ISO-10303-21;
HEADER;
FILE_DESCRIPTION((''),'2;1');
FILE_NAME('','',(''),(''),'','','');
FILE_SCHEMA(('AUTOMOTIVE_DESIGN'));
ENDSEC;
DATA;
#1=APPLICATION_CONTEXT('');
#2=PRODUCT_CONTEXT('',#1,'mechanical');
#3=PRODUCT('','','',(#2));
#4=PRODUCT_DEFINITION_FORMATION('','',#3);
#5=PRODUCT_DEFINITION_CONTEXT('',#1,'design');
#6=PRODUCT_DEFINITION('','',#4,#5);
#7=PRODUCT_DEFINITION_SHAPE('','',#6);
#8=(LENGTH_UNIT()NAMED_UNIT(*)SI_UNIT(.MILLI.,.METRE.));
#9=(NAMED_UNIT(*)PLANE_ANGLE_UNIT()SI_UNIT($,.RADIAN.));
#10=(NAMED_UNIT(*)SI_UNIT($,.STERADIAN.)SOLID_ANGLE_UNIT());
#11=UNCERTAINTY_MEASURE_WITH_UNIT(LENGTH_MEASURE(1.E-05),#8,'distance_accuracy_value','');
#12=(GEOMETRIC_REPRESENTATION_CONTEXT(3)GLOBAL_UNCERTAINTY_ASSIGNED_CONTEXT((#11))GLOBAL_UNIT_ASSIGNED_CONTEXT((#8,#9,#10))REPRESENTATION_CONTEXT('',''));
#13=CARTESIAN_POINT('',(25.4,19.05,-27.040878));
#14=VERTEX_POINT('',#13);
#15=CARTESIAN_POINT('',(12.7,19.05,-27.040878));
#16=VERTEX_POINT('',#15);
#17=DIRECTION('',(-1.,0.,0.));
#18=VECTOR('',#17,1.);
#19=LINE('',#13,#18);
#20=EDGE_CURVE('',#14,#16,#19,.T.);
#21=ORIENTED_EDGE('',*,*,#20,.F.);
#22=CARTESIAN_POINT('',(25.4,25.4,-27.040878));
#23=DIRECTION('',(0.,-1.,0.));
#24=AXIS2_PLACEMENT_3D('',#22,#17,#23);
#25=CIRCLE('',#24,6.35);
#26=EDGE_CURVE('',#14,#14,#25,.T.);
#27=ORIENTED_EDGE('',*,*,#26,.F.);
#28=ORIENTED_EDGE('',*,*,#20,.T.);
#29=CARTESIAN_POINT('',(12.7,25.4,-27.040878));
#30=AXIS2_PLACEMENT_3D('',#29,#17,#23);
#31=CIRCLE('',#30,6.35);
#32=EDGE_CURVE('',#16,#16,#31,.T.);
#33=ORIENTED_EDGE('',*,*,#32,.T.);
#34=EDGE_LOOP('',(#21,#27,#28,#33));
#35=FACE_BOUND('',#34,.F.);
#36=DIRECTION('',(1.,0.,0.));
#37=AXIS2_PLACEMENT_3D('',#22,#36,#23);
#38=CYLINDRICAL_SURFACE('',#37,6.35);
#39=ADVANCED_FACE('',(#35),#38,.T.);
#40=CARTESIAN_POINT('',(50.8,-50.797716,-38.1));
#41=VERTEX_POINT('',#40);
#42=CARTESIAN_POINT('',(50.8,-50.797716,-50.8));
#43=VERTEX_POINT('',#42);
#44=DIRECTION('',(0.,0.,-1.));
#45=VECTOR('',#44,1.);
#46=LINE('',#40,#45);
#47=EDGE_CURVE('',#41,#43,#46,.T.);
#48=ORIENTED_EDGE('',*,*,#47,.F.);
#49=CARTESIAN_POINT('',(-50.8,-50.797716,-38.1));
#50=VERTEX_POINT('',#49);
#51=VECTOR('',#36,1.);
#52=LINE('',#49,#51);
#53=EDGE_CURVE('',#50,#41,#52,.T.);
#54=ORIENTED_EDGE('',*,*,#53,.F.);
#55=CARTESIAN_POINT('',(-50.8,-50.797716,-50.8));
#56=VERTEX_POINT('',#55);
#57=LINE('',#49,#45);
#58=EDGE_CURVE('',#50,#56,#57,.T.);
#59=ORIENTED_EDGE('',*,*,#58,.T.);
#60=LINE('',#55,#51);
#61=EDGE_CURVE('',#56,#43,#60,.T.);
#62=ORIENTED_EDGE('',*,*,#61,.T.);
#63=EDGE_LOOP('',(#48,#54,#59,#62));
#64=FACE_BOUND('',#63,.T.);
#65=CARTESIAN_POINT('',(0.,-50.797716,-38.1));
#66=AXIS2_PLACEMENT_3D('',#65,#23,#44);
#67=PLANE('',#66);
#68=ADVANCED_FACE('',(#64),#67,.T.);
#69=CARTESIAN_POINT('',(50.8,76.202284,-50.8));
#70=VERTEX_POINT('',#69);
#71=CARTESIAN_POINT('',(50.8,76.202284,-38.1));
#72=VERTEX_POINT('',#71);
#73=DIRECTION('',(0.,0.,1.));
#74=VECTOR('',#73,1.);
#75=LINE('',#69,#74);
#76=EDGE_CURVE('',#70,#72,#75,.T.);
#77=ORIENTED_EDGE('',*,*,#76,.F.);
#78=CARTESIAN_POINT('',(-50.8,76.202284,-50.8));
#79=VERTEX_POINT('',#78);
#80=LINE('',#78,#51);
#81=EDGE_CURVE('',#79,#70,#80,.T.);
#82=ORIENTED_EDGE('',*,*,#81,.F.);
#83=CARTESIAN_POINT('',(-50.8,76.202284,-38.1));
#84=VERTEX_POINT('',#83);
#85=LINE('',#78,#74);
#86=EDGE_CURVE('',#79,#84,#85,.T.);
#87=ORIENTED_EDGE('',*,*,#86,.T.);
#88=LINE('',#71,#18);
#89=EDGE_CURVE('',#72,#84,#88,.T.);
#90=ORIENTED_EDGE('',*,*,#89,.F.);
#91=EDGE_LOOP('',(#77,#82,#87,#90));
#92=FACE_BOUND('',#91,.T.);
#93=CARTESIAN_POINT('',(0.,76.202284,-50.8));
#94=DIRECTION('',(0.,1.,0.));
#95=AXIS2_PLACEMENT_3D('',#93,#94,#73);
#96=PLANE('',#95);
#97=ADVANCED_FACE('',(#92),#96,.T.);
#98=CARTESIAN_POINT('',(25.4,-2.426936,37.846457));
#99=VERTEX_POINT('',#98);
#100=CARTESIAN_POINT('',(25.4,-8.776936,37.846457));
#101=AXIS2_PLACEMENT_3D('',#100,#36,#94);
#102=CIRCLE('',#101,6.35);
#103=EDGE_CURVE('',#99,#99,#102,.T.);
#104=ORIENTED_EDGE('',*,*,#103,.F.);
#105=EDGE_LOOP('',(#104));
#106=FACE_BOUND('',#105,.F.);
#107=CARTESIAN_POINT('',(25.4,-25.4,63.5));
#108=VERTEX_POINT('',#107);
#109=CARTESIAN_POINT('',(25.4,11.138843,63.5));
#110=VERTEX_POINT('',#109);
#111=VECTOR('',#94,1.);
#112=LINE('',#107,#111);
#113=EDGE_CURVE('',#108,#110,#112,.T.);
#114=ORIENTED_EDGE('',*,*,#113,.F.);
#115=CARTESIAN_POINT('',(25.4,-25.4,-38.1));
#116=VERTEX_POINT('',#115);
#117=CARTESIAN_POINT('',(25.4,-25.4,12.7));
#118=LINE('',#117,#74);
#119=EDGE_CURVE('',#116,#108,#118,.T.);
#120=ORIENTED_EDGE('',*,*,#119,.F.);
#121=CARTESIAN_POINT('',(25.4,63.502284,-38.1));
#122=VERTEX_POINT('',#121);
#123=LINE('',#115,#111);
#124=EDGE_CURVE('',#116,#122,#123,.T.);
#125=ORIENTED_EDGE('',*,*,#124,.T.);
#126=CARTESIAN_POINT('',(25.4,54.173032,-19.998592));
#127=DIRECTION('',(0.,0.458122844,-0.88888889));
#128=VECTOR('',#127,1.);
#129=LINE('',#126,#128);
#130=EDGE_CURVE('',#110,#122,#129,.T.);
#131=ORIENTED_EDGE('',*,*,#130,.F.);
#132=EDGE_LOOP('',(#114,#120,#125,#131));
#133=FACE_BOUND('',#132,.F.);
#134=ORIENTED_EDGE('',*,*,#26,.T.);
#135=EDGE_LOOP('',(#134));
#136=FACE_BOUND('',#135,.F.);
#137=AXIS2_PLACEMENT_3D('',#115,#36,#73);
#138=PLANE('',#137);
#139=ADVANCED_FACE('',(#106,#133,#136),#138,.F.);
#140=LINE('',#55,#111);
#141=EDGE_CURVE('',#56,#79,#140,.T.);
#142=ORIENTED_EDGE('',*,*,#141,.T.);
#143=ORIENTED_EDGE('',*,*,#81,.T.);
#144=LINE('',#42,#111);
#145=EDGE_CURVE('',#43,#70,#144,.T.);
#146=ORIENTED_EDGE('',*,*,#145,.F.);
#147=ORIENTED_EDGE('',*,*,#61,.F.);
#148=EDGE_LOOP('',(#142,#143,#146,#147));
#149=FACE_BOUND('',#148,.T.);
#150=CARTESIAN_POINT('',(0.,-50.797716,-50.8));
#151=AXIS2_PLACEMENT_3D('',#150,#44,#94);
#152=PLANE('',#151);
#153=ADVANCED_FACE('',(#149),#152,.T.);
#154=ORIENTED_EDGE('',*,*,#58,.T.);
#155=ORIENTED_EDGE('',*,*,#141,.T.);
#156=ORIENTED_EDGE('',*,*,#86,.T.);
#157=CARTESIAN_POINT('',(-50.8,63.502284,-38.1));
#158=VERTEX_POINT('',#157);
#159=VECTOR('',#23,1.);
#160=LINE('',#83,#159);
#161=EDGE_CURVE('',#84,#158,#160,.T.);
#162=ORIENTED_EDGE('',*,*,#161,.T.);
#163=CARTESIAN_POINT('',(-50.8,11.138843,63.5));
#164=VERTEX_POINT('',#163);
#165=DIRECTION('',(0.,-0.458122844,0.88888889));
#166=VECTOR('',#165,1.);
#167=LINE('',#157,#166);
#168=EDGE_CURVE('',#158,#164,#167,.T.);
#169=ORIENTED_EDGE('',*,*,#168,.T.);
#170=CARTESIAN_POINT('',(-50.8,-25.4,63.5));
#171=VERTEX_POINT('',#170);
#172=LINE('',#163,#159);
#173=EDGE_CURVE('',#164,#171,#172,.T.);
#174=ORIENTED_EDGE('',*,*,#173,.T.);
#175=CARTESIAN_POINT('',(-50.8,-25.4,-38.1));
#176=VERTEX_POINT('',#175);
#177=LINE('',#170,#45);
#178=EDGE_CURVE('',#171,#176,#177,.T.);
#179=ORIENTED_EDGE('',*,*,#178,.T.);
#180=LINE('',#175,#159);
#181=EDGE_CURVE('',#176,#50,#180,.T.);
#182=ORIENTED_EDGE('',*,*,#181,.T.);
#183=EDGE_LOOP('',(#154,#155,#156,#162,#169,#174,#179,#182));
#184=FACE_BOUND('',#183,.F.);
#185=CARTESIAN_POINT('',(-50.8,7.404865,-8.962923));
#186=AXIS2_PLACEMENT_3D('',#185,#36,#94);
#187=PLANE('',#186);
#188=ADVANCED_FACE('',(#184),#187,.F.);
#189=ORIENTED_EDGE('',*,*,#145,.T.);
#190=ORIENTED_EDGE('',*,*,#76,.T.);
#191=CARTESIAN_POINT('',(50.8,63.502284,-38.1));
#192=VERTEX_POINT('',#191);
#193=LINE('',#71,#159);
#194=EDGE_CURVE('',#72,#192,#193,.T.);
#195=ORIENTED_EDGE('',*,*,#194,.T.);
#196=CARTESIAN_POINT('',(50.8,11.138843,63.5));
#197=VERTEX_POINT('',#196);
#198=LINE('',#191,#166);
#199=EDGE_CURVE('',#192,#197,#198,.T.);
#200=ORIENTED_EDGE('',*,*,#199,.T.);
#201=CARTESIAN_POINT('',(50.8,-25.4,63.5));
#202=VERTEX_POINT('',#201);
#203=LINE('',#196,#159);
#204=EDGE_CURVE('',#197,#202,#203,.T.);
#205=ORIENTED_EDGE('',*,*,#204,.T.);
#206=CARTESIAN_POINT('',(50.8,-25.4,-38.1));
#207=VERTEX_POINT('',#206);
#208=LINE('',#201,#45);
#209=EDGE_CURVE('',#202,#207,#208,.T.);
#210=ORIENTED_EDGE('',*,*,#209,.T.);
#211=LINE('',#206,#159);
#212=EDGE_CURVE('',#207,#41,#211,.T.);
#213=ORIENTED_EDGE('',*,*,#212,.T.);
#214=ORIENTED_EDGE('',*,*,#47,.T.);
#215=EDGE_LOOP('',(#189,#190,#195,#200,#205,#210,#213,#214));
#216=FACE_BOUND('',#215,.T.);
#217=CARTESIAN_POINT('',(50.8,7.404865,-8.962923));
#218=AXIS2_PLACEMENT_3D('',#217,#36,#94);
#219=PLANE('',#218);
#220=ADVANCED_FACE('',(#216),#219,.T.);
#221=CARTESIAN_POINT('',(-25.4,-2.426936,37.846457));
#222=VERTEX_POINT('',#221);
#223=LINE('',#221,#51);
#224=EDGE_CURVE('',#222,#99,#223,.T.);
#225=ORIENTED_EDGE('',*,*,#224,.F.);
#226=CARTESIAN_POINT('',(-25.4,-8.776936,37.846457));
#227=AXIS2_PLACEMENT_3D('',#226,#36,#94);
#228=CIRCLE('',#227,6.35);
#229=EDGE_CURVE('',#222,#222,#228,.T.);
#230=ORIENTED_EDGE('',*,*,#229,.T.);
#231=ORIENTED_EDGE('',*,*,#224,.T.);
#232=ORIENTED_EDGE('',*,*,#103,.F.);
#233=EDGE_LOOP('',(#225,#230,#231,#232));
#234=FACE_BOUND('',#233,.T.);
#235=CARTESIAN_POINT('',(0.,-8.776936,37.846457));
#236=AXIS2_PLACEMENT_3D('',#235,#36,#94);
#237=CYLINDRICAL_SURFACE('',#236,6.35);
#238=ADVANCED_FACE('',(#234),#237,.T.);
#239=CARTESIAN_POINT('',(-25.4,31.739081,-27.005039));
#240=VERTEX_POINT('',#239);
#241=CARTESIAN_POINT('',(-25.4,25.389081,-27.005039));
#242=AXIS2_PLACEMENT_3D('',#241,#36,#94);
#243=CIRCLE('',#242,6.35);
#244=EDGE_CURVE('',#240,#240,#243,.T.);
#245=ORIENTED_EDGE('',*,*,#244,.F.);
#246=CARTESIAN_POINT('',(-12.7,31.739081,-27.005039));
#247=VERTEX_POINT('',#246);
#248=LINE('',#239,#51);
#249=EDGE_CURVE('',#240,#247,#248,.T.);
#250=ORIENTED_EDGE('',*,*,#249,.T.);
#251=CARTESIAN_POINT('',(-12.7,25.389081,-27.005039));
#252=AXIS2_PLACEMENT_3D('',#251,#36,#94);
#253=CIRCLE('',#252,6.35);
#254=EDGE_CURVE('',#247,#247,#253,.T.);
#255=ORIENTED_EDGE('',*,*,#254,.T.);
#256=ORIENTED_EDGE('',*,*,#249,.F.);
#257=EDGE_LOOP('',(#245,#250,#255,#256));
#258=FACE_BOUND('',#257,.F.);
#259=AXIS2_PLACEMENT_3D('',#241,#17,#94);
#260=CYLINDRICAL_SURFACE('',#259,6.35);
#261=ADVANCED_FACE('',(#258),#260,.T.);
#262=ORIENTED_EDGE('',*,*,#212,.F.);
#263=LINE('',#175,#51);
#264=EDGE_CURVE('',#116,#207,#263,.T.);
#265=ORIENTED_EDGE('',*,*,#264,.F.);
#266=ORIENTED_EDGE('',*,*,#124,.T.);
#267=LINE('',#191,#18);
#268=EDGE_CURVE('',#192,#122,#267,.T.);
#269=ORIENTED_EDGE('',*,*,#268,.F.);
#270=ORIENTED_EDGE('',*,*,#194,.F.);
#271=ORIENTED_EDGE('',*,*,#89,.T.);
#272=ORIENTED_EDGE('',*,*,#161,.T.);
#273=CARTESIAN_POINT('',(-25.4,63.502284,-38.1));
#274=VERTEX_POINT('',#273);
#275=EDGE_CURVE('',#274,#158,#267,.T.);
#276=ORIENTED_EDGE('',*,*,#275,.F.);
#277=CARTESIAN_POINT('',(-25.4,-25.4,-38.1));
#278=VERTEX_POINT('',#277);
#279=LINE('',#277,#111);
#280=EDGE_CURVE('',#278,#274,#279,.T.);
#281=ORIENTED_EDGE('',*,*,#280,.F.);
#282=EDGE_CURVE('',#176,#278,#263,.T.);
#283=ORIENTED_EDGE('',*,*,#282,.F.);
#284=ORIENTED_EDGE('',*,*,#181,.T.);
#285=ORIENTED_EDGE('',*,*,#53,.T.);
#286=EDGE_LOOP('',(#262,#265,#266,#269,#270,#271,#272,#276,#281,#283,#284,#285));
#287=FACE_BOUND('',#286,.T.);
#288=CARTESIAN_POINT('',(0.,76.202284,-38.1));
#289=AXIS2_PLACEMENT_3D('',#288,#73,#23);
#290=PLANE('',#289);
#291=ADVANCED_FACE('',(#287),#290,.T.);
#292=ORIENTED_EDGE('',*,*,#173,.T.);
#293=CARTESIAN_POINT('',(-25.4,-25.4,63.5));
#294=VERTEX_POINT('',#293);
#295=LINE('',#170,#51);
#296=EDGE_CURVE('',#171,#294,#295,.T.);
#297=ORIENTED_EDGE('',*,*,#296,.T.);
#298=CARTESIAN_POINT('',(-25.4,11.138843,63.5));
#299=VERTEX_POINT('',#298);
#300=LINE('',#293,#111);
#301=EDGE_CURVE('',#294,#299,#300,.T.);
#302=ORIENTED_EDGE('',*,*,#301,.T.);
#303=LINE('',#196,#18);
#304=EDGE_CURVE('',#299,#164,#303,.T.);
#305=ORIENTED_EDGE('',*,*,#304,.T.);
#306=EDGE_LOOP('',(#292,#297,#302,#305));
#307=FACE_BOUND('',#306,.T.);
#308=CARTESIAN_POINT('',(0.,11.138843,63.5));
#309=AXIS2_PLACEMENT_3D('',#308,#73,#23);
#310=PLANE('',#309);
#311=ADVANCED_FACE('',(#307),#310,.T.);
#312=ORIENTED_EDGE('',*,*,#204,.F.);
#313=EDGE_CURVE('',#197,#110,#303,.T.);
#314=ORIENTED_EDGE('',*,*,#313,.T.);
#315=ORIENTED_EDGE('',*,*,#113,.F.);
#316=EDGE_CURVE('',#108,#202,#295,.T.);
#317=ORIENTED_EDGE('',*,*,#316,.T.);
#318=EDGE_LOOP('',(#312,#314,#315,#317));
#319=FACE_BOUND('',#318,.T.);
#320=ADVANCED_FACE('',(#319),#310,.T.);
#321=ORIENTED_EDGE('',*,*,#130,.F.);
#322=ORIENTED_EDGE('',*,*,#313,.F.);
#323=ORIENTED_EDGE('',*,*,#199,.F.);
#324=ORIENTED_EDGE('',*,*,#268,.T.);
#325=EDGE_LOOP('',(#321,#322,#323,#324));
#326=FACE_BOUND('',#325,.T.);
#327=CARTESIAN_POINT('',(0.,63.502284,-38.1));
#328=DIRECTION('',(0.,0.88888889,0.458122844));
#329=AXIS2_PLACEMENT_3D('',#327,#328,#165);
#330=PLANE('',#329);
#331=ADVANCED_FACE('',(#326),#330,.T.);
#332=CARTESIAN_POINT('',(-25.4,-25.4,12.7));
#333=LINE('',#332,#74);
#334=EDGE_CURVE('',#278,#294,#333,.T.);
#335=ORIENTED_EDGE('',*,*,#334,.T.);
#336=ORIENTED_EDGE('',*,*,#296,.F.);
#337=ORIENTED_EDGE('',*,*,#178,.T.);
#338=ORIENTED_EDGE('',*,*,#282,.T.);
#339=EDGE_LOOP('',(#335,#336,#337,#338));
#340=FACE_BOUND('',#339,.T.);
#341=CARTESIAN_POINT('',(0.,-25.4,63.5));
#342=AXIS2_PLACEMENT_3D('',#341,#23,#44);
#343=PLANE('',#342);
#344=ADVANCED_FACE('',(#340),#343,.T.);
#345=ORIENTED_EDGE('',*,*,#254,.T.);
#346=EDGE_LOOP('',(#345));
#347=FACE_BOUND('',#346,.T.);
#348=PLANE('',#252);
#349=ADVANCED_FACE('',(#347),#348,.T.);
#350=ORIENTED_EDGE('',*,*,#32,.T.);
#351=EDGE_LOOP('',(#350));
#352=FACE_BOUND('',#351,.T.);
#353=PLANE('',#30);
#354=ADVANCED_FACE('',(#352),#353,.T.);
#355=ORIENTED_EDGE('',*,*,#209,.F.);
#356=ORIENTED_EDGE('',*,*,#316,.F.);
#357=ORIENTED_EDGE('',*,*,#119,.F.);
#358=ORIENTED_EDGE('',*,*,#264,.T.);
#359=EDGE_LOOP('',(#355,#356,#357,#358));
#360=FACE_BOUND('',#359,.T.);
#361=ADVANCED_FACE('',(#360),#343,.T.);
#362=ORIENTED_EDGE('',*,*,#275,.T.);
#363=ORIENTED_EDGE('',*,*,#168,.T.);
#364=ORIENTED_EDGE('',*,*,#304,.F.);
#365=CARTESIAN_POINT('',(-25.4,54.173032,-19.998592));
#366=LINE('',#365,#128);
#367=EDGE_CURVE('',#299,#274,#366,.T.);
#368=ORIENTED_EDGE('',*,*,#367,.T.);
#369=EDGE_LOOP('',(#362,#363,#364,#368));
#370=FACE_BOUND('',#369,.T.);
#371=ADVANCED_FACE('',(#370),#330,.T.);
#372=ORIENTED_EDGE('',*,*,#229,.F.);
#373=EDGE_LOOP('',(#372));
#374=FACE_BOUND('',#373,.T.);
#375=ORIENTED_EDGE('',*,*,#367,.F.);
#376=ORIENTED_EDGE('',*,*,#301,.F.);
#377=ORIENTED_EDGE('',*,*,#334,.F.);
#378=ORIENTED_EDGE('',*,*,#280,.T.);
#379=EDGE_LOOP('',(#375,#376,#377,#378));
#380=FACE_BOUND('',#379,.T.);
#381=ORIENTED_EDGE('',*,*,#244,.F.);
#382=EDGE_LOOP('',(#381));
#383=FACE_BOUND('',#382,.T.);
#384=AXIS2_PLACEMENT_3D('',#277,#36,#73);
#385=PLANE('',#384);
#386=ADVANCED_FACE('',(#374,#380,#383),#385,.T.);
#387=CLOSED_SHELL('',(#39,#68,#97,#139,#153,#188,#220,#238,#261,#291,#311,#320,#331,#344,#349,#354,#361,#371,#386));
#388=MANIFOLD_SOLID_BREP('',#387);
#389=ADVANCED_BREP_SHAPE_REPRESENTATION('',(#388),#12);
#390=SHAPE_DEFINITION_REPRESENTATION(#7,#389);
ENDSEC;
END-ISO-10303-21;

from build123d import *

# Parameters (mm, degrees)
F1_DEPTH = 50.8
F2_W     = 50.8
F2_H     = 101.6
F3_DEPTH = 101.603284
F4_R     = 6.35
F5_DEPTH = 25.4
F6_R     = 6.35
F7_DEPTH = 12.7
F8_R     = 6.35
F9_DEPTH = 12.7


with BuildPart() as f1:
    # F0 (on Right) → F1 (new body, symmetric)
    with BuildSketch(Plane.YZ):
        Polygon((11.138843, 63.5), (-25.4, 63.5), (-25.4, -38.1), (-50.797716, -38.1), (-50.797716, -50.8), (76.202284, -50.8), (76.202284, -38.1), (63.502284, -38.1), align=None)
    extrude(amount=F1_DEPTH, both=True)

    # F2 (on face) → F3 (cut, through all)
    with BuildSketch(Plane.XZ.offset(25.4)):
        with Locations((0, 12.7)):
            Rectangle(F2_W, F2_H)
    extrude(amount=-F3_DEPTH, mode=Mode.SUBTRACT)

    # F4 (on Right) → F5 (join, symmetric)
    with BuildSketch(Plane.YZ):
        with Locations((-8.776936, 37.846457)):
            Circle(F4_R)
    extrude(amount=F5_DEPTH, both=True)

    # F6 (on face) → F7 (join)
    with BuildSketch(Plane.YZ.offset(-25.4)):
        with Locations((25.389081, -27.005039)):
            Circle(F6_R)
    extrude(amount=F7_DEPTH)

    # F8 (on face) → F9 (join)
    with BuildSketch(Plane(origin=(25.4, 0, 0), x_dir=(0, -1, 0), z_dir=(-1, 0, 0))):
        with Locations((-25.4, -27.040878)):
            Circle(F8_R)
    extrude(amount=F9_DEPTH)


solid = f1.part
